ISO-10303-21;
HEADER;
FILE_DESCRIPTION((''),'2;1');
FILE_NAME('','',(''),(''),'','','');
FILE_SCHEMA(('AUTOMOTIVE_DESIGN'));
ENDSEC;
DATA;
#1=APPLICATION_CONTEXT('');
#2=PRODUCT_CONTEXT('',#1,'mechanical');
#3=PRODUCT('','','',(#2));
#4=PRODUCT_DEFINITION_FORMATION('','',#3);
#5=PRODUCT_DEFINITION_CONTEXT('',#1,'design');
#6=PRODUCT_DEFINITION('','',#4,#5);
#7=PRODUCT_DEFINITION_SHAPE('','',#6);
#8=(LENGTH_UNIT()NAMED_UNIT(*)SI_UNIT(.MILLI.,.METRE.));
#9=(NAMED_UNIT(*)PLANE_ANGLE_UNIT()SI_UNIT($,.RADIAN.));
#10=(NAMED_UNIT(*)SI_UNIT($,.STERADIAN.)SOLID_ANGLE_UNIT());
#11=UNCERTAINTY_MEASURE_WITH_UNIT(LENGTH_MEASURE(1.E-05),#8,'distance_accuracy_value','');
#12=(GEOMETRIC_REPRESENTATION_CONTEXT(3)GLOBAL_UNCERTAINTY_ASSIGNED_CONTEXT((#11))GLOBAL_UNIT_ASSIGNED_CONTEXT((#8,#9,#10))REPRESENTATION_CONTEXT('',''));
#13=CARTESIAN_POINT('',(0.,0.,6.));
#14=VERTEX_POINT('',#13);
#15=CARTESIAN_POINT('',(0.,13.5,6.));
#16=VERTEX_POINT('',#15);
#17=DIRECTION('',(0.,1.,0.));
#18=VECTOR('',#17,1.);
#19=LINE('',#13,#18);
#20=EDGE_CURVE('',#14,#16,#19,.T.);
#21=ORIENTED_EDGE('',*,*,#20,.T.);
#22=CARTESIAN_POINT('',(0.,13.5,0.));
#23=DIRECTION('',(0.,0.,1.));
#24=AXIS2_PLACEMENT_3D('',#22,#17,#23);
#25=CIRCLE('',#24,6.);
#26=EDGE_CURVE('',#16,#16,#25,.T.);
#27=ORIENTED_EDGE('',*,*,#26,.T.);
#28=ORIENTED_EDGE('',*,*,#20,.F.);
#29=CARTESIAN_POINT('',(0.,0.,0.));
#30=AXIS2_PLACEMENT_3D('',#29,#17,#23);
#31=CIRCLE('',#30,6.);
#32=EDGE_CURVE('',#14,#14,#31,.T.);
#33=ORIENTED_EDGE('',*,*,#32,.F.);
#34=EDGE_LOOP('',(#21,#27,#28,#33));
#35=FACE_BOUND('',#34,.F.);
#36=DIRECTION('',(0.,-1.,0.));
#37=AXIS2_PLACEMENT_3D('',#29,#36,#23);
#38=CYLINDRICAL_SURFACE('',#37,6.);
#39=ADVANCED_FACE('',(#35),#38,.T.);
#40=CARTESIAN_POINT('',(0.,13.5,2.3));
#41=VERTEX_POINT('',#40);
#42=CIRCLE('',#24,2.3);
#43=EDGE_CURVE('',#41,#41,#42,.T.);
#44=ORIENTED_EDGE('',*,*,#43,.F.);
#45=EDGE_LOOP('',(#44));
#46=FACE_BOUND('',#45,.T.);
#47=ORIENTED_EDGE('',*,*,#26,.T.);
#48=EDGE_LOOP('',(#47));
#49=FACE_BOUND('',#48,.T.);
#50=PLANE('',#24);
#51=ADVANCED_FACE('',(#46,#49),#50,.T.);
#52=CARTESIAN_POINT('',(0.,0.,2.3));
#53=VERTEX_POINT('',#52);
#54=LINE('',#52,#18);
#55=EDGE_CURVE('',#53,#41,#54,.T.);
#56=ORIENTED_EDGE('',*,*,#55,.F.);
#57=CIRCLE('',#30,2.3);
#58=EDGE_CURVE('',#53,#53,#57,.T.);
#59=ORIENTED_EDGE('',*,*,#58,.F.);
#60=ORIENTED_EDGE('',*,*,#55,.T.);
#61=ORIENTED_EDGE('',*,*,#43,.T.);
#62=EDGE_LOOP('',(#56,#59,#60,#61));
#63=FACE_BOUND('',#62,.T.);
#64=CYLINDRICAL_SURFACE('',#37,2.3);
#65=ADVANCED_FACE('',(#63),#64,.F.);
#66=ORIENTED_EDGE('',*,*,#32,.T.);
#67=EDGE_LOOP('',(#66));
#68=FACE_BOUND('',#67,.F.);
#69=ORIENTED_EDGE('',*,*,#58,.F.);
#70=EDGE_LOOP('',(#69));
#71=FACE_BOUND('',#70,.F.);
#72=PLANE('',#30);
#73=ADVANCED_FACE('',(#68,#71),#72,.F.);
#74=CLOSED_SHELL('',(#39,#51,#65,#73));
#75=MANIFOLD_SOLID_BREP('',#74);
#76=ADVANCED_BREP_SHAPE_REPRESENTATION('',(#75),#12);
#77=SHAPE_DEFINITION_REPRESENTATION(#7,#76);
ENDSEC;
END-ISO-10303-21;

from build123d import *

# Parameters (mm, degrees)
SKETCH1_R           = 6
SKETCH1_R_2         = 2.3
BOSS_EXTRUDE1_DEPTH = 13.5


with BuildPart() as part:
    # Sketch1 → Boss-Extrude1 (new body)
    with BuildSketch(Plane(origin=(0, 0, 0), x_dir=(1, 0, 0), z_dir=(0, 1, 0))):
        with Locations(Location((0, 0, 0), (0, 0, 270))):
            Circle(SKETCH1_R)
        with Locations(Location((0, 0, 0), (0, 0, 270))):
            Circle(SKETCH1_R_2, mode=Mode.SUBTRACT)
    extrude(amount=BOSS_EXTRUDE1_DEPTH)


solid = part.part
